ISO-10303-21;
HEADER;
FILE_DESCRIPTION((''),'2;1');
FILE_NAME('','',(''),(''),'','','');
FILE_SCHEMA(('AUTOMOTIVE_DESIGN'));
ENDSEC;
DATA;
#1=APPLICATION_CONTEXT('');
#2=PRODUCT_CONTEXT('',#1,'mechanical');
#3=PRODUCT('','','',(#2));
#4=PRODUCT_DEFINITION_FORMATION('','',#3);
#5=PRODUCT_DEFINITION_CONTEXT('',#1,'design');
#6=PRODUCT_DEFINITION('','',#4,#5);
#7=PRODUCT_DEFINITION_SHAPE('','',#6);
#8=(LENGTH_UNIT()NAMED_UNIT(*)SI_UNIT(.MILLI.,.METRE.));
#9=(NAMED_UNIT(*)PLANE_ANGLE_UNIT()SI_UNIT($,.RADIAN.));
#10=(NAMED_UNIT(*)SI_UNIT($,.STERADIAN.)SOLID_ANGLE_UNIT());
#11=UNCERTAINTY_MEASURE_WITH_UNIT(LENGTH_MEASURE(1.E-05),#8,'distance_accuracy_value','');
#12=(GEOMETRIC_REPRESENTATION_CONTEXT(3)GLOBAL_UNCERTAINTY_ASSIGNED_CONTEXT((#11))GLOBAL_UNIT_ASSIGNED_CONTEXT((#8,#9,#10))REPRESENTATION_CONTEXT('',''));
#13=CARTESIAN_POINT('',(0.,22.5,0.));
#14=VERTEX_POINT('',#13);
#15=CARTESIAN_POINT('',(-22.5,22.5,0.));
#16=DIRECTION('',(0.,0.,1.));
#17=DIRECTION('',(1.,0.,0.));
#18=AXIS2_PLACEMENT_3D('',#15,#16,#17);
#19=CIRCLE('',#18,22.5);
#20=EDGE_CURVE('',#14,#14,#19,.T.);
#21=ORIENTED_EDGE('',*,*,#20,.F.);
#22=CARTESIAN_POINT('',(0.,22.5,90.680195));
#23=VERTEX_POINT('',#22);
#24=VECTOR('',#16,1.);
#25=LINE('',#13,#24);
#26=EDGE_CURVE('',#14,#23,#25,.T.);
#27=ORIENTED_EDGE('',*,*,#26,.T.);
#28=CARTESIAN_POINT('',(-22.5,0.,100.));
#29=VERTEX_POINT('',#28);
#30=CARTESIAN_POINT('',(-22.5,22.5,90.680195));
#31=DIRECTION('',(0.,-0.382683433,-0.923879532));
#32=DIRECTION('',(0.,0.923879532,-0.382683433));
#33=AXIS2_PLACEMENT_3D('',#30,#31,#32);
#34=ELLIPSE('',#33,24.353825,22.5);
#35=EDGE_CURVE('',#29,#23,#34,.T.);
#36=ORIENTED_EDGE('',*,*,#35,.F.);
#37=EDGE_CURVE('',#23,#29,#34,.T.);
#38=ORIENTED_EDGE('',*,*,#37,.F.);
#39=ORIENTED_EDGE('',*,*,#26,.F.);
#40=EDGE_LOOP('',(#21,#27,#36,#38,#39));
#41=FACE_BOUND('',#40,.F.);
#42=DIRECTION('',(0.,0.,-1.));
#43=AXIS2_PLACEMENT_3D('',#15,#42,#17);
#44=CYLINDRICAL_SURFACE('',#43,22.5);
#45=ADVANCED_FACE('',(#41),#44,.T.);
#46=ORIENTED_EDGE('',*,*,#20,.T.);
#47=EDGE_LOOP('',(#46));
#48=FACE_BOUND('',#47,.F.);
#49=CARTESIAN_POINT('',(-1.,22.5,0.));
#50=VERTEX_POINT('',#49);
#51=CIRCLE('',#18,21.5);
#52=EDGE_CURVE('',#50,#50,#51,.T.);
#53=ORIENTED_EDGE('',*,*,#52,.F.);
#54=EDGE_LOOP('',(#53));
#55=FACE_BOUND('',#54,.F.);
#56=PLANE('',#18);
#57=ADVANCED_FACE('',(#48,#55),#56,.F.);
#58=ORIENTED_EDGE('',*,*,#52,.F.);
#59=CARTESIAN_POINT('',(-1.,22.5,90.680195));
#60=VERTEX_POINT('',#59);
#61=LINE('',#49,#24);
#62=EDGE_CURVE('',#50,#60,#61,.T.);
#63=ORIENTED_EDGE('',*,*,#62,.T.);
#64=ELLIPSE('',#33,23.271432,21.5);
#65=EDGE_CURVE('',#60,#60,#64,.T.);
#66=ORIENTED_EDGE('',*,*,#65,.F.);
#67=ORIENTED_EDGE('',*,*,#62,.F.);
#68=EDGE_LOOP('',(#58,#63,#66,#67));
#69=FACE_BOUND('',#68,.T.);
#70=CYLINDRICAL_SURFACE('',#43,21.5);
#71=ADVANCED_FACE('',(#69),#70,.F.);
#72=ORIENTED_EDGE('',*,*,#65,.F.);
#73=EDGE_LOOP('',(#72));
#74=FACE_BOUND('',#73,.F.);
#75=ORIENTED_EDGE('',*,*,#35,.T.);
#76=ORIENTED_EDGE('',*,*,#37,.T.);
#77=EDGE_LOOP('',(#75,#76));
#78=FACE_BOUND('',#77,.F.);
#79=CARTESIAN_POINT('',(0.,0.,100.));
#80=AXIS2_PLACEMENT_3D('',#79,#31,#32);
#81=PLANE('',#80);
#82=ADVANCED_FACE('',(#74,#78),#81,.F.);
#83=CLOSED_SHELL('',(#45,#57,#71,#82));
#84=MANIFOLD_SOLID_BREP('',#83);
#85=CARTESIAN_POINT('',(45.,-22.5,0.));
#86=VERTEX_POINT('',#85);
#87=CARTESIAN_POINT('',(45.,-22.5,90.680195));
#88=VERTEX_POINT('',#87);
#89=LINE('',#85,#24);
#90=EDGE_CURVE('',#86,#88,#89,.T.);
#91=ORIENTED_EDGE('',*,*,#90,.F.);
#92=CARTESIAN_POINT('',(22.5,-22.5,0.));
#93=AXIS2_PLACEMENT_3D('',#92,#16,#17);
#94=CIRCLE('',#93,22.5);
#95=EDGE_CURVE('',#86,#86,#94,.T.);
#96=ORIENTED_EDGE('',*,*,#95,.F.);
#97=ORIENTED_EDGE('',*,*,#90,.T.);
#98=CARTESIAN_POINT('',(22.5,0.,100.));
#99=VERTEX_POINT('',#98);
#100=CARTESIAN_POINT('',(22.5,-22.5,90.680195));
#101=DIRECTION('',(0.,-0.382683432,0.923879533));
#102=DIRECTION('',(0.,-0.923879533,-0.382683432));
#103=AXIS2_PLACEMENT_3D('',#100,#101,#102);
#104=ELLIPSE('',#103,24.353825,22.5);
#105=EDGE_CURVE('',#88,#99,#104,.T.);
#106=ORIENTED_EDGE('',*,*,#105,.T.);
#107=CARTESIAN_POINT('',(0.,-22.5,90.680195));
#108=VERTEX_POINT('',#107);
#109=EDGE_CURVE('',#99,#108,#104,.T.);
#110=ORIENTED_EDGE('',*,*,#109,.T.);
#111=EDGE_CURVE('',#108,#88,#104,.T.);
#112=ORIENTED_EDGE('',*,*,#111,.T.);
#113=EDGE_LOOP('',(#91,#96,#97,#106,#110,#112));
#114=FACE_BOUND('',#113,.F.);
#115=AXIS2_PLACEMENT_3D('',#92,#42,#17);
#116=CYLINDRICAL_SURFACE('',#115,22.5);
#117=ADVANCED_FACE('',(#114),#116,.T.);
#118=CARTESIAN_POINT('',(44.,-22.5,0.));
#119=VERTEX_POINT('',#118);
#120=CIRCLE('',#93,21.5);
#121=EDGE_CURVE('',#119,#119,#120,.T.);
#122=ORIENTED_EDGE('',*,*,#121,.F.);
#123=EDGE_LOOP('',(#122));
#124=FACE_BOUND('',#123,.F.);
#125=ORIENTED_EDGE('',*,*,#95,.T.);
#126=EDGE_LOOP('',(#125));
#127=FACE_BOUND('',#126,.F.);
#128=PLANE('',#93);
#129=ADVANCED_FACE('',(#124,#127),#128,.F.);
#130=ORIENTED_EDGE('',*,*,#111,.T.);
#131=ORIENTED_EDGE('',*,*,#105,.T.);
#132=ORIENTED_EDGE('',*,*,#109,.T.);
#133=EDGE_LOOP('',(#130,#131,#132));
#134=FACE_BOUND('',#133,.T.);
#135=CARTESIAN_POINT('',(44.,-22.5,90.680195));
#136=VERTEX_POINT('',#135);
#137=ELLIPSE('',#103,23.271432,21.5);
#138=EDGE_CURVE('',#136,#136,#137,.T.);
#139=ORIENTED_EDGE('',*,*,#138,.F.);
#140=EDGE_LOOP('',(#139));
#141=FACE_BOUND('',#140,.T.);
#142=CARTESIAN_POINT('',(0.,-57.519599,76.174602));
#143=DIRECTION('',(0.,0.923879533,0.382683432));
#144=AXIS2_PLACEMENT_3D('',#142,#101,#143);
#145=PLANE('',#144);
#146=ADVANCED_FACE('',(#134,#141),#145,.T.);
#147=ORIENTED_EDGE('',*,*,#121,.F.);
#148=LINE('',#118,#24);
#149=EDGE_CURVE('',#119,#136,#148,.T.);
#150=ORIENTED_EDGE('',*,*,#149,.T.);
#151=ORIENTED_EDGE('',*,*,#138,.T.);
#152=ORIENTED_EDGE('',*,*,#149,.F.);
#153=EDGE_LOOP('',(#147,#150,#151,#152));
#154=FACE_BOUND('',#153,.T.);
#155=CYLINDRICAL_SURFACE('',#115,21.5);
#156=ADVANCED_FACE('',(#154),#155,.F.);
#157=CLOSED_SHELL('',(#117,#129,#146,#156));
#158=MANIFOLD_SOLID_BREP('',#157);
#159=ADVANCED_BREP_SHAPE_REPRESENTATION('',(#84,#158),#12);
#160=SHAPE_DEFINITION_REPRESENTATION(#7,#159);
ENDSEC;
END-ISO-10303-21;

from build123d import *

# Parameters (mm, degrees)
F0_R     = 22.5
F0_R_2   = 21.5
F1_DEPTH = 100
F3_DEPTH = 100
F4_R     = 22.5
F4_R_2   = 21.5
F5_DEPTH = 100
F7_DEPTH = 100


with BuildPart() as f1:
    # F0 (on Top) → F1 (new body)
    with BuildSketch(Plane.XY):
        with Locations((-22.5, 22.5)):
            Circle(F0_R)
        with Locations((-22.5, 22.5)):
            Circle(F0_R_2, mode=Mode.SUBTRACT)
    extrude(amount=F1_DEPTH)

    # F2 (on Right) → F3 (cut)
    with BuildSketch(Plane.YZ):
        Polygon((0, 114.382386), (0, 100), (48.670089, 79.840189), (48.670089, 114.382386), align=None)
    extrude(amount=-F3_DEPTH, mode=Mode.SUBTRACT)


with BuildPart() as f5:
    # F4 (on Top) → F5 (new body)
    with BuildSketch(Plane.XY):
        with Locations((22.5, -22.5)):
            Circle(F4_R)
        with Locations((22.5, -22.5)):
            Circle(F4_R_2, mode=Mode.SUBTRACT)
    extrude(amount=F5_DEPTH)

    # F6 (on Right) → F7 (cut)
    with BuildSketch(Plane.YZ):
        Polygon((-57.519599, 76.174602), (0, 100), (0, 116.917327), (-57.519599, 116.917327), align=None)
    extrude(amount=F7_DEPTH, mode=Mode.SUBTRACT)


solid = Compound([f1.part, f5.part])
